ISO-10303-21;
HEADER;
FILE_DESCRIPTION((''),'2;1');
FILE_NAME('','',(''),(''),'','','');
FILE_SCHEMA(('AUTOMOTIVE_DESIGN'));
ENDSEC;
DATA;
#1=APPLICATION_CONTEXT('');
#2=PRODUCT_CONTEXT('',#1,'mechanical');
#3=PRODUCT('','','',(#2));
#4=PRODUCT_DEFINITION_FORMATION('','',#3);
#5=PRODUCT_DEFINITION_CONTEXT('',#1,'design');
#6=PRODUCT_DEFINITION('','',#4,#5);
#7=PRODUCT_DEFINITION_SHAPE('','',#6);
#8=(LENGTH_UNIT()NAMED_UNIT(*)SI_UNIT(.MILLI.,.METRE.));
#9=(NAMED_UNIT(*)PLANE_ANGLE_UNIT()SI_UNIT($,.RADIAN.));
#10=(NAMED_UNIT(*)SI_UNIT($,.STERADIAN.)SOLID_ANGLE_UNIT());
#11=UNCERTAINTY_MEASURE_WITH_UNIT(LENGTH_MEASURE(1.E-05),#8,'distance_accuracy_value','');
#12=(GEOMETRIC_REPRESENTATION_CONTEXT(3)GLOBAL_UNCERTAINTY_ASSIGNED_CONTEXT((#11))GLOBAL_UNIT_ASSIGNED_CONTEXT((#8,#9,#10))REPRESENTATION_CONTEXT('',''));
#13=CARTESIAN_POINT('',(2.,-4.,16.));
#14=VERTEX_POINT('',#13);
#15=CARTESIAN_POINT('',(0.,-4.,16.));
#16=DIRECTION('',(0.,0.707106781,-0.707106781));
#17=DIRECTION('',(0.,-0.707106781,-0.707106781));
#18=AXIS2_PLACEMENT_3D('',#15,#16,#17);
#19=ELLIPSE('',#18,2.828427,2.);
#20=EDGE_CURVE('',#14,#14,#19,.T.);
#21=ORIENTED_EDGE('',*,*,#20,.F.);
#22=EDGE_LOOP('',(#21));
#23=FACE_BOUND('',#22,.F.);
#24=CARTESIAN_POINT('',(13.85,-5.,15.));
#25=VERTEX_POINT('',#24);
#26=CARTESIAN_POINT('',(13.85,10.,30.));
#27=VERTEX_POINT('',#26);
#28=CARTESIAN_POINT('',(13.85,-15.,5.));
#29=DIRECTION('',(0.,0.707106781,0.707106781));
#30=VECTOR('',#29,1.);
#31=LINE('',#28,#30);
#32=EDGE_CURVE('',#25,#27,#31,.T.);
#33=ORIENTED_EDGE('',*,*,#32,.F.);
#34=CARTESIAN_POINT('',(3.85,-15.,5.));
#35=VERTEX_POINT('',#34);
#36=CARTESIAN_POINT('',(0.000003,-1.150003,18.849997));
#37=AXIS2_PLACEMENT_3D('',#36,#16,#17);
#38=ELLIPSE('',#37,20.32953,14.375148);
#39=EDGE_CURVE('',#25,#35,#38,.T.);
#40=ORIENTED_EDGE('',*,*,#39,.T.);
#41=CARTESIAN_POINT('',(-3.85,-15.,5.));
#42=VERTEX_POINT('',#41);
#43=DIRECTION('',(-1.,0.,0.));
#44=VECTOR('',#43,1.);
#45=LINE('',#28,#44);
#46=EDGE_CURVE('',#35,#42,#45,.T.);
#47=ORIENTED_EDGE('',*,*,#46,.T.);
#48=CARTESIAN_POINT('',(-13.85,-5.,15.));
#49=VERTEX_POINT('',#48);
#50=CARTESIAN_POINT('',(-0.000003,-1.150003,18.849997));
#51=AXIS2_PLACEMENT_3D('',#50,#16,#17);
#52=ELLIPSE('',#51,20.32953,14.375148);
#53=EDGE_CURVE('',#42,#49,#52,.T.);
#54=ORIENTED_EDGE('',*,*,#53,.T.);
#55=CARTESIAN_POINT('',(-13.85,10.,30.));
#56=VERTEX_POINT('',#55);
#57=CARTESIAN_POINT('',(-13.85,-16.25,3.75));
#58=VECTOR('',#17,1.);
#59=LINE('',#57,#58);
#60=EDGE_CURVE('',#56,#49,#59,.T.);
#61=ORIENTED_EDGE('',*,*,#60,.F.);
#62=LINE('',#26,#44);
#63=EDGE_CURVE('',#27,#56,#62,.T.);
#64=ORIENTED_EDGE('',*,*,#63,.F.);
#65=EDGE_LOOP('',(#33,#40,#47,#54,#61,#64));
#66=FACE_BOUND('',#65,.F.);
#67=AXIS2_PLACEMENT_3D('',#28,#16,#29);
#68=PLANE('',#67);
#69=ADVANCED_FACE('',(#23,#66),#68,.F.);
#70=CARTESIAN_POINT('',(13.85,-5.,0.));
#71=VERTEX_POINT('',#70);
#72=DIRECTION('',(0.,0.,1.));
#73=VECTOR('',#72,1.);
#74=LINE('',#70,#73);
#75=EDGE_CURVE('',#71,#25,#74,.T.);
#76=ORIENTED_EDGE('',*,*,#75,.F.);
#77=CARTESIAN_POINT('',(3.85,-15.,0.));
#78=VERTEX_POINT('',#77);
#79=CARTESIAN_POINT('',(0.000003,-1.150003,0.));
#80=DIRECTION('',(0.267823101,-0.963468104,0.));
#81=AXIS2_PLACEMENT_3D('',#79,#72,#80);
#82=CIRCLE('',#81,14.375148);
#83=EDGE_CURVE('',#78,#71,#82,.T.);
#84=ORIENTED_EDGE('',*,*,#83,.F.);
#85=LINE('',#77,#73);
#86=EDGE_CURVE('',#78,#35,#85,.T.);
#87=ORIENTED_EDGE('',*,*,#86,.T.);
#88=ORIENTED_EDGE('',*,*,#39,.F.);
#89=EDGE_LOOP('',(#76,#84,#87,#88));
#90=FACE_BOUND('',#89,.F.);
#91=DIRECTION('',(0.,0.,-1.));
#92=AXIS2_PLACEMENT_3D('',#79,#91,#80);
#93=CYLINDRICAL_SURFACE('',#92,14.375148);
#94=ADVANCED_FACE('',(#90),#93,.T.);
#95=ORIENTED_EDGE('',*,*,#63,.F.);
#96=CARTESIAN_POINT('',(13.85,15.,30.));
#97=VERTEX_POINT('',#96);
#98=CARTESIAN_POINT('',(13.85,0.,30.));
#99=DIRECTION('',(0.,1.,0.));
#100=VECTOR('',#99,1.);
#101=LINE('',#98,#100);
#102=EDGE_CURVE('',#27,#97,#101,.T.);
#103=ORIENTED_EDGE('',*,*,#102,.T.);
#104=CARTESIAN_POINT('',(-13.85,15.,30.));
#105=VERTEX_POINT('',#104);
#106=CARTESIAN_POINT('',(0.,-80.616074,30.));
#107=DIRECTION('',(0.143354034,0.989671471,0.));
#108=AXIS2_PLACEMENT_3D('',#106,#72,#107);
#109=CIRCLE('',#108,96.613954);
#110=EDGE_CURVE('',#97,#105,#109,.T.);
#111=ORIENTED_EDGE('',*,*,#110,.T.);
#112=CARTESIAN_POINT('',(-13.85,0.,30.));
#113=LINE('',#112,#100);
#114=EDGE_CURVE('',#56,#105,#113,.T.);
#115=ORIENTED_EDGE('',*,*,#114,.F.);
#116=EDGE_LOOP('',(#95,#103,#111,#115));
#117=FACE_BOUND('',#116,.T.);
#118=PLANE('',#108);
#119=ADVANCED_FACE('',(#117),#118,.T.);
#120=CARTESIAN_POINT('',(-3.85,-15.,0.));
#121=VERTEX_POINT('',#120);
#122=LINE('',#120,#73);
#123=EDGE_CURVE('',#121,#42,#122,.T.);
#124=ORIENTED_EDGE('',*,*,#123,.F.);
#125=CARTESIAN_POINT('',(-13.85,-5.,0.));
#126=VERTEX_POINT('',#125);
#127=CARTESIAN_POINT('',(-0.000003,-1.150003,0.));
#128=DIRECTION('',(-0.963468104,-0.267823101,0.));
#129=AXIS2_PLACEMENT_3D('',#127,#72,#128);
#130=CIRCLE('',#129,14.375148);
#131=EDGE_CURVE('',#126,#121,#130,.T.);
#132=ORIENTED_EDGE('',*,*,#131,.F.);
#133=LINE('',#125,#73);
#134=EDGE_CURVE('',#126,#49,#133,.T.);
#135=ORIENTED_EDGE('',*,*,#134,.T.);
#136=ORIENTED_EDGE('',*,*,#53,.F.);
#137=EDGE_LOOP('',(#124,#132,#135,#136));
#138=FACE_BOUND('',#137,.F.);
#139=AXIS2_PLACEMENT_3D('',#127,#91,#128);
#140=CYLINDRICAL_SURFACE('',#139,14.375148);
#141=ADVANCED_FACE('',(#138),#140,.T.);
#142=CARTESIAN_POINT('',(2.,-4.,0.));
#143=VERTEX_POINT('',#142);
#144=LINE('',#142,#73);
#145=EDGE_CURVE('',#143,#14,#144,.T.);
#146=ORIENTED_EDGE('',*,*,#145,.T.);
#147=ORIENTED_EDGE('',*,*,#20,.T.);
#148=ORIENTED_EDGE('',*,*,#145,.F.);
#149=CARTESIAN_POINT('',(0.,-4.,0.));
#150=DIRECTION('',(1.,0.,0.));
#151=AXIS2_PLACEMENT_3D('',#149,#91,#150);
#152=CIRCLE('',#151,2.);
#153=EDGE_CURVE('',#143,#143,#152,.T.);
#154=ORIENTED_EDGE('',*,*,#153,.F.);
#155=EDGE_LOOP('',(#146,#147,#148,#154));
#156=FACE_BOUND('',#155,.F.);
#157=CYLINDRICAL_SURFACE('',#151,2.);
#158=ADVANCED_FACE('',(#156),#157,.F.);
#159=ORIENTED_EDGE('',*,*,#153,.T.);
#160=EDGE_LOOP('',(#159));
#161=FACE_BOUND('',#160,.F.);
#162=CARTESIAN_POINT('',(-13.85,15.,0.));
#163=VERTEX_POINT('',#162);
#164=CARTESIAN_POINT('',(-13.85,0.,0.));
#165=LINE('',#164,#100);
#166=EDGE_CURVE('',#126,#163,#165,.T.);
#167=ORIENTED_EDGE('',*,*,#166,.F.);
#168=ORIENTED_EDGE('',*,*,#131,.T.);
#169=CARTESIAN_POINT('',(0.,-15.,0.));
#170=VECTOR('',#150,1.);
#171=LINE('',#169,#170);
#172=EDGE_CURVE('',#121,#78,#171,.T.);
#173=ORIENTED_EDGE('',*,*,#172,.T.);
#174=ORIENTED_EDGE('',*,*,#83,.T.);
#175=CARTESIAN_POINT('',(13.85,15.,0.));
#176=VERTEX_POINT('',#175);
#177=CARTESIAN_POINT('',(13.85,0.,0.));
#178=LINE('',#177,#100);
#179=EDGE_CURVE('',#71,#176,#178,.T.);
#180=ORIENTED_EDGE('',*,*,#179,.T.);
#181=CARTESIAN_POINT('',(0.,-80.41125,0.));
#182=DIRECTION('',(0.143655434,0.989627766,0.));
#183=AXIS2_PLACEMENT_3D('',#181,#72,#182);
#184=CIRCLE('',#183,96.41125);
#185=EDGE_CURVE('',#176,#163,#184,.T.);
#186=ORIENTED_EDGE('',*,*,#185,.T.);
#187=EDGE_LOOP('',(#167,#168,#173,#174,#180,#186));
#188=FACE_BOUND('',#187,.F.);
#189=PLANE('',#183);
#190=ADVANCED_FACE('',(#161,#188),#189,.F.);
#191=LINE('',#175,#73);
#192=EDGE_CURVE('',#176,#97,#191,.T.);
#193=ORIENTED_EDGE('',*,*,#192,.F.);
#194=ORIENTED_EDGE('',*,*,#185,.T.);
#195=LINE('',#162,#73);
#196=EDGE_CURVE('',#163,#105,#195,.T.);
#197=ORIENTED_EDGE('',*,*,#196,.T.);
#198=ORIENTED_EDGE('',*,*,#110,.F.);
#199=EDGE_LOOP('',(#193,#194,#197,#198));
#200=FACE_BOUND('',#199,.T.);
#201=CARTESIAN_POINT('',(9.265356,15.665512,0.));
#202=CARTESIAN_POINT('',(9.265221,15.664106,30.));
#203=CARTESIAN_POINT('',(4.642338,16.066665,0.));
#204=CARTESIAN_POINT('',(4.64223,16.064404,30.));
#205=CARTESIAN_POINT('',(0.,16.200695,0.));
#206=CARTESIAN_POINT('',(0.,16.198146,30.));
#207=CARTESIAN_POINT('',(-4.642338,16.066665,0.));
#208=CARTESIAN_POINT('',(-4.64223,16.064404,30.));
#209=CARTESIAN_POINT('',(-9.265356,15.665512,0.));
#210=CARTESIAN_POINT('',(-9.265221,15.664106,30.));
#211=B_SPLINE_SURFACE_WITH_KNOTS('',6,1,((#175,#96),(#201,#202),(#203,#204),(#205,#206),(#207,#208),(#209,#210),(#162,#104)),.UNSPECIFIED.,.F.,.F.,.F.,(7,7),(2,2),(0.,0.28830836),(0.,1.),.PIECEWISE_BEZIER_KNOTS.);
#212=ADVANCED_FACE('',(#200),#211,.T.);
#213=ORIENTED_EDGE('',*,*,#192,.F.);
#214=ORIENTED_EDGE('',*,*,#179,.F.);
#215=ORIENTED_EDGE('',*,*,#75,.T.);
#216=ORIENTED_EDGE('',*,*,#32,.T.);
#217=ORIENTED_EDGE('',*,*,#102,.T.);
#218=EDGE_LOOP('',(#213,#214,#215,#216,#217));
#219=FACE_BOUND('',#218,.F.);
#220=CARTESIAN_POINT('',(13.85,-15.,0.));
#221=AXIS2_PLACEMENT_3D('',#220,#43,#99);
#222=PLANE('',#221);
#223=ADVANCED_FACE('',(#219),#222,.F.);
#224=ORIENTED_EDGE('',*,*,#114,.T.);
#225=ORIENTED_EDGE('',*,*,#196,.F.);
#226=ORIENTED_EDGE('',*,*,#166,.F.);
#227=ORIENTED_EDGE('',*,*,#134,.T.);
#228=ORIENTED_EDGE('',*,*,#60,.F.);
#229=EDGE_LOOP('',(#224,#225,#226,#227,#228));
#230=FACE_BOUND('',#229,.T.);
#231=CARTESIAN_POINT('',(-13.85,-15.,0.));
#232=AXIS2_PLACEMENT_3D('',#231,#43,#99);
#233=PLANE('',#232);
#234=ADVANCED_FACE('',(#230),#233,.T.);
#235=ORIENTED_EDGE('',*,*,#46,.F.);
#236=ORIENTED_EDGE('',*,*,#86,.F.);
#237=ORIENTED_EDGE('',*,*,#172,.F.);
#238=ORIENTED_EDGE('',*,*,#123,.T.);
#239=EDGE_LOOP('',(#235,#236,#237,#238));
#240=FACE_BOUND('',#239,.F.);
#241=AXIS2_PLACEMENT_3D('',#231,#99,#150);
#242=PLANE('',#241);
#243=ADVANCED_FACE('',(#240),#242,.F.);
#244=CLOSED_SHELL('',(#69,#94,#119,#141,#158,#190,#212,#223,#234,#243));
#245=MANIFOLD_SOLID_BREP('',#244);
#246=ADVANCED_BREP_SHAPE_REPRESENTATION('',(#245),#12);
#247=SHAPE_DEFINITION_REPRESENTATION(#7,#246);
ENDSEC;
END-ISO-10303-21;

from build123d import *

# Parameters (mm, degrees)
F0_W     = 27.7
F0_H     = 30
F1_DEPTH = 30
F5_DEPTH = 27.701
F6_R     = 2
F7_DEPTH = 30.001


with BuildPart() as f1:
    # F0 (on Top) → F1 (new body)
    with BuildSketch(Plane.XY):
        Rectangle(F0_W, F0_H)
    extrude(amount=F1_DEPTH)

    # F0 (on Top) → F4 section 0
    with BuildSketch(Plane.XY):
        with BuildLine():
            Line((-13.85, 15), (13.85, 15))
            ThreePointArc((13.85, 15), (0, 16), (-13.85, 15))
        make_face()
    # F3 (on face) → F4 section 1
    with BuildSketch(Plane.XY.offset(30)):
        with BuildLine():
            Line((-13.85, 15), (13.85, 15))
            ThreePointArc((13.85, 15), (0, 15.99788), (-13.85, 15))
        make_face()
    loft()

    # F2 (on face) → F5 (cut, through all)
    with BuildSketch(Plane.YZ.offset(13.85)):
        Polygon((-15, 5), (10, 30), (-15, 30), align=None)
    extrude(amount=-F5_DEPTH, mode=Mode.SUBTRACT)

    # F6 (on face) → F7 (cut, through all)
    with BuildSketch(Plane(origin=(0, 0, 0), x_dir=(1, 0, 0), z_dir=(0, 0, -1))):
        with Locations((0, 4)):
            Circle(F6_R)
        with BuildLine():
            Line((13.85, 5), (13.85, 15))
            Line((13.85, 15), (3.85, 15))
            ThreePointArc((3.85, 15), (10.164768, 11.314768), (13.85, 5))
        make_face()
        with BuildLine():
            Line((-13.85, 15), (-13.85, 5))
            ThreePointArc((-13.85, 5), (-10.164768, 11.314768), (-3.85, 15))
            Line((-3.85, 15), (-13.85, 15))
        make_face()
    extrude(amount=-F7_DEPTH, mode=Mode.SUBTRACT)


solid = f1.part
